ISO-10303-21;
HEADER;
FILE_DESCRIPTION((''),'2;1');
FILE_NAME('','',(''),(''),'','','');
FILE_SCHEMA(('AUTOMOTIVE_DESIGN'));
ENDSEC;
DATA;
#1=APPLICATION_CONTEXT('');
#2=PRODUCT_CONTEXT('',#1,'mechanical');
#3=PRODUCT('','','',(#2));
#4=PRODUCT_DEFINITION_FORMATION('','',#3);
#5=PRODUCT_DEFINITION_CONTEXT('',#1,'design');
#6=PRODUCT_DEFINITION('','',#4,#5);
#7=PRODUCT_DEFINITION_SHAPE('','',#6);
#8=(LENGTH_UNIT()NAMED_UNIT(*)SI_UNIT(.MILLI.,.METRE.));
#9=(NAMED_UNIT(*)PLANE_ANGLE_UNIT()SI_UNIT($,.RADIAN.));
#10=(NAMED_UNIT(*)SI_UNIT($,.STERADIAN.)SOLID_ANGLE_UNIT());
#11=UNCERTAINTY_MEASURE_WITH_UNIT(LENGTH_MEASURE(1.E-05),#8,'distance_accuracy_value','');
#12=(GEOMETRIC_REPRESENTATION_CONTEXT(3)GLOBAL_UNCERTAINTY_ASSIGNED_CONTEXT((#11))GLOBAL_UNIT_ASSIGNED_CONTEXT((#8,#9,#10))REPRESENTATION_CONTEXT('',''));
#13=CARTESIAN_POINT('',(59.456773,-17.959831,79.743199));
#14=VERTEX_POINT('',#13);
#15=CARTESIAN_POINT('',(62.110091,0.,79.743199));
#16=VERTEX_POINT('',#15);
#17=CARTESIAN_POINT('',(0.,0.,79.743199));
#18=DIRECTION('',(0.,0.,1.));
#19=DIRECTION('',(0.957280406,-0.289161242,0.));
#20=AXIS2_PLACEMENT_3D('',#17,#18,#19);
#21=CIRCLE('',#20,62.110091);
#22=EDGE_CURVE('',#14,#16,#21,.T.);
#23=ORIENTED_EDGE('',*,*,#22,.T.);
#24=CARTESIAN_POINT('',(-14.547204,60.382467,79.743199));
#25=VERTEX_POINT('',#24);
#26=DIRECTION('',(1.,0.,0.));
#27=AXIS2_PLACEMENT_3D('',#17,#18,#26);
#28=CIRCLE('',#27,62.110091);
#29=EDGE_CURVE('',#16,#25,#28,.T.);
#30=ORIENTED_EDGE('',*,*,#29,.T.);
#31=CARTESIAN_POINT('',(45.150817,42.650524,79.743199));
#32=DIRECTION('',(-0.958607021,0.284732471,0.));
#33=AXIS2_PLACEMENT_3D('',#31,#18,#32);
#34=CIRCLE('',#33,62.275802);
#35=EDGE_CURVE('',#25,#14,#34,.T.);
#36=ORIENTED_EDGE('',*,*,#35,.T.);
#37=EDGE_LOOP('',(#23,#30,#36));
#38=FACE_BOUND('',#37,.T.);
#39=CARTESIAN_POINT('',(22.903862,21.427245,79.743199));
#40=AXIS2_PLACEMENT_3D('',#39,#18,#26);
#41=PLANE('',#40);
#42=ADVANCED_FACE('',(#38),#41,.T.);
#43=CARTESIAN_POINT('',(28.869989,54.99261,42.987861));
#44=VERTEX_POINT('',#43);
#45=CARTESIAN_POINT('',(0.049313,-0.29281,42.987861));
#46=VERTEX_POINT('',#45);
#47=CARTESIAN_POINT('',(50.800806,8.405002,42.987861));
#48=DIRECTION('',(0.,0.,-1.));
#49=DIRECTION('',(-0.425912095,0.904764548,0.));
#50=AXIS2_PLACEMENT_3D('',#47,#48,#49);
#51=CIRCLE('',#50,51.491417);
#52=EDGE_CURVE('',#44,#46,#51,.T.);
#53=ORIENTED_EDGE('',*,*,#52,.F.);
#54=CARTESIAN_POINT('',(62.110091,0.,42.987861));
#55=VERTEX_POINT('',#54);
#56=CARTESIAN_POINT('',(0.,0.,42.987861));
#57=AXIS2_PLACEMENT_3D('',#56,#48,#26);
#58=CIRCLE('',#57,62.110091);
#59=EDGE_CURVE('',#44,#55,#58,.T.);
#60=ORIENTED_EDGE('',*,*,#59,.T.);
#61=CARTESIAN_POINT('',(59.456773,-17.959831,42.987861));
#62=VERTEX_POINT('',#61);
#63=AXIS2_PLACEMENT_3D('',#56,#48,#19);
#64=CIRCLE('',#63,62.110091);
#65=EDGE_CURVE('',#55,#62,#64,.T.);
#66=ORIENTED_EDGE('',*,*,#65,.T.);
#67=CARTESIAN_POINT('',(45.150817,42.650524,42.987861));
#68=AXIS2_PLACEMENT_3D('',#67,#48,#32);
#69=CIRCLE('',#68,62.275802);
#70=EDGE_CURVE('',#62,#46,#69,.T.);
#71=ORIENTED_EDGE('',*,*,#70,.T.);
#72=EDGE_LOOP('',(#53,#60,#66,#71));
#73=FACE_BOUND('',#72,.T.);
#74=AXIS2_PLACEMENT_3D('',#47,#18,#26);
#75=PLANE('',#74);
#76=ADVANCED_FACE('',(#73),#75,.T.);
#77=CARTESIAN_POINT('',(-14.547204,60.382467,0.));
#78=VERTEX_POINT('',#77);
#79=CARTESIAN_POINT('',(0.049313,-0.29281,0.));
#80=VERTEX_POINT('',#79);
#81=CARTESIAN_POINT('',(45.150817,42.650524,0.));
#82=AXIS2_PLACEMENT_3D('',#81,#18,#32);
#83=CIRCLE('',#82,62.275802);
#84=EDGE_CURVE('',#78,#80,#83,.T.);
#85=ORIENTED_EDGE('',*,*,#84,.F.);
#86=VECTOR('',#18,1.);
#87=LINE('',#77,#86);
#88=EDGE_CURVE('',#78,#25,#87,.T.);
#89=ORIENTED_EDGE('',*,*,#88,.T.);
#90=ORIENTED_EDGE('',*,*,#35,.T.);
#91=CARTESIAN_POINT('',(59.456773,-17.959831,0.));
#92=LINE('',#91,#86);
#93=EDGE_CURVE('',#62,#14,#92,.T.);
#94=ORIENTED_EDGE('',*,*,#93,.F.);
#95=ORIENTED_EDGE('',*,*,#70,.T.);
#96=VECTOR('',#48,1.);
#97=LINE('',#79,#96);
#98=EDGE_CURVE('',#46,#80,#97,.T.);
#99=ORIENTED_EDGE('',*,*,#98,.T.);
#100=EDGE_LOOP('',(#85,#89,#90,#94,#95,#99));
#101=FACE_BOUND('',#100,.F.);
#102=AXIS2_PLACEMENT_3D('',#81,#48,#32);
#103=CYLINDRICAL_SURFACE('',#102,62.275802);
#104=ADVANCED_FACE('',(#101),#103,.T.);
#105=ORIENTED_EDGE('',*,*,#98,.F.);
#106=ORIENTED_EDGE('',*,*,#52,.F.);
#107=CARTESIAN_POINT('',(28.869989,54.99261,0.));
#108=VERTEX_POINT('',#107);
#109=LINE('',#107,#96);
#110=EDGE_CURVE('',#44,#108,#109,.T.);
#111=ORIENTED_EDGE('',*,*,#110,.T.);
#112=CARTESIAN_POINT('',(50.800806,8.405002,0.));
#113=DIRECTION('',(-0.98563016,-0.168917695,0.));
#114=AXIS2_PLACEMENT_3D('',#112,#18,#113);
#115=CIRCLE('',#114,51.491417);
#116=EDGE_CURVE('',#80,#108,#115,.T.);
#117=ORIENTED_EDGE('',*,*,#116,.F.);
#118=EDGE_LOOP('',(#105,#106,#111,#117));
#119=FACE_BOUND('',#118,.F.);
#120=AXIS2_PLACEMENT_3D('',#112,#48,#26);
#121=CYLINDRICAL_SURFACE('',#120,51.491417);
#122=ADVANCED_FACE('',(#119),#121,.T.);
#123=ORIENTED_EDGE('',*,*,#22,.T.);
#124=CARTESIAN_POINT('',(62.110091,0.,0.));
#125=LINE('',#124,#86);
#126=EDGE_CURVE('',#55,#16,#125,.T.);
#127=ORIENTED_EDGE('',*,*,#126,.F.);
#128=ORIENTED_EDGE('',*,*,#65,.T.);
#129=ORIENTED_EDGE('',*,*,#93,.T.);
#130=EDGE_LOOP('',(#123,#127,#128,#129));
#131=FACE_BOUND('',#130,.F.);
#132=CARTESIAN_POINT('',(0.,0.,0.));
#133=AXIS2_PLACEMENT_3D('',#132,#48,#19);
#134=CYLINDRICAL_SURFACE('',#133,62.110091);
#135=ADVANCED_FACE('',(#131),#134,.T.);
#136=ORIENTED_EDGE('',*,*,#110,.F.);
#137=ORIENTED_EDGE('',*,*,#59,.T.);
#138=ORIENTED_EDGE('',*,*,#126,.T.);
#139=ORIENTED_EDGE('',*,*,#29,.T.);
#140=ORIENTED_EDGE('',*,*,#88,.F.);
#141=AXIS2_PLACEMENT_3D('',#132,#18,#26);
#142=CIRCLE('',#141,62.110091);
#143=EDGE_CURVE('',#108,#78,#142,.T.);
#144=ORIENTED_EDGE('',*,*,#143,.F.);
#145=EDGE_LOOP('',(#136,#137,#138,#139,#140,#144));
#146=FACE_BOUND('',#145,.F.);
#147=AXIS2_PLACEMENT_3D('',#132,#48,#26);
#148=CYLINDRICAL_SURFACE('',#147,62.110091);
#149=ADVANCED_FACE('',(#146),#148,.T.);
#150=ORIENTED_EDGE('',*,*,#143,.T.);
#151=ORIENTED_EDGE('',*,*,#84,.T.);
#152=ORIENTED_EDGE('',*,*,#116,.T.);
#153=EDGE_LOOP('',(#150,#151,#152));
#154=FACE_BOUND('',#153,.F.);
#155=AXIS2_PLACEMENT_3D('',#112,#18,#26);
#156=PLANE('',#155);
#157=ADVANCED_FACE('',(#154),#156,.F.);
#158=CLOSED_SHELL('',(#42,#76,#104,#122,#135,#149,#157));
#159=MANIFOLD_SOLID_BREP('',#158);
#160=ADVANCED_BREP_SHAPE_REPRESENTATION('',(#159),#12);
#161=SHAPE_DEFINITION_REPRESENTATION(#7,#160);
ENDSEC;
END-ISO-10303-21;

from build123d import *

# Parameters (mm, degrees)
F1_DEPTH = 79.7431990504
F2_R     = 51.4914166582
F3_DEPTH = 42.9878607392


with BuildPart() as f1:
    # F0 (on Top) → F1 (new body)
    with BuildSketch(Plane.XY):
        with BuildLine():
            ThreePointArc((59.4567734908, -17.959831154), (61.4431814062, -9.0773844086), (62.1100913621, 0))
            ThreePointArc((62.1100913621, 0), (38.4326376275, 48.7913497867), (-14.5472041529, 60.3824668289))
            ThreePointArc((-14.5472041529, 60.3824668289), (-0.1204630885, -0.1137922672), (59.4567734908, -17.959831154))
        make_face()
    extrude(amount=F1_DEPTH)

    # F2 (on Top) → F3 (join)
    with BuildSketch(Plane.XY):
        with Locations((50.8008064343, 8.4050017903)):
            Circle(F2_R)
    extrude(amount=F3_DEPTH)


solid = f1.part
